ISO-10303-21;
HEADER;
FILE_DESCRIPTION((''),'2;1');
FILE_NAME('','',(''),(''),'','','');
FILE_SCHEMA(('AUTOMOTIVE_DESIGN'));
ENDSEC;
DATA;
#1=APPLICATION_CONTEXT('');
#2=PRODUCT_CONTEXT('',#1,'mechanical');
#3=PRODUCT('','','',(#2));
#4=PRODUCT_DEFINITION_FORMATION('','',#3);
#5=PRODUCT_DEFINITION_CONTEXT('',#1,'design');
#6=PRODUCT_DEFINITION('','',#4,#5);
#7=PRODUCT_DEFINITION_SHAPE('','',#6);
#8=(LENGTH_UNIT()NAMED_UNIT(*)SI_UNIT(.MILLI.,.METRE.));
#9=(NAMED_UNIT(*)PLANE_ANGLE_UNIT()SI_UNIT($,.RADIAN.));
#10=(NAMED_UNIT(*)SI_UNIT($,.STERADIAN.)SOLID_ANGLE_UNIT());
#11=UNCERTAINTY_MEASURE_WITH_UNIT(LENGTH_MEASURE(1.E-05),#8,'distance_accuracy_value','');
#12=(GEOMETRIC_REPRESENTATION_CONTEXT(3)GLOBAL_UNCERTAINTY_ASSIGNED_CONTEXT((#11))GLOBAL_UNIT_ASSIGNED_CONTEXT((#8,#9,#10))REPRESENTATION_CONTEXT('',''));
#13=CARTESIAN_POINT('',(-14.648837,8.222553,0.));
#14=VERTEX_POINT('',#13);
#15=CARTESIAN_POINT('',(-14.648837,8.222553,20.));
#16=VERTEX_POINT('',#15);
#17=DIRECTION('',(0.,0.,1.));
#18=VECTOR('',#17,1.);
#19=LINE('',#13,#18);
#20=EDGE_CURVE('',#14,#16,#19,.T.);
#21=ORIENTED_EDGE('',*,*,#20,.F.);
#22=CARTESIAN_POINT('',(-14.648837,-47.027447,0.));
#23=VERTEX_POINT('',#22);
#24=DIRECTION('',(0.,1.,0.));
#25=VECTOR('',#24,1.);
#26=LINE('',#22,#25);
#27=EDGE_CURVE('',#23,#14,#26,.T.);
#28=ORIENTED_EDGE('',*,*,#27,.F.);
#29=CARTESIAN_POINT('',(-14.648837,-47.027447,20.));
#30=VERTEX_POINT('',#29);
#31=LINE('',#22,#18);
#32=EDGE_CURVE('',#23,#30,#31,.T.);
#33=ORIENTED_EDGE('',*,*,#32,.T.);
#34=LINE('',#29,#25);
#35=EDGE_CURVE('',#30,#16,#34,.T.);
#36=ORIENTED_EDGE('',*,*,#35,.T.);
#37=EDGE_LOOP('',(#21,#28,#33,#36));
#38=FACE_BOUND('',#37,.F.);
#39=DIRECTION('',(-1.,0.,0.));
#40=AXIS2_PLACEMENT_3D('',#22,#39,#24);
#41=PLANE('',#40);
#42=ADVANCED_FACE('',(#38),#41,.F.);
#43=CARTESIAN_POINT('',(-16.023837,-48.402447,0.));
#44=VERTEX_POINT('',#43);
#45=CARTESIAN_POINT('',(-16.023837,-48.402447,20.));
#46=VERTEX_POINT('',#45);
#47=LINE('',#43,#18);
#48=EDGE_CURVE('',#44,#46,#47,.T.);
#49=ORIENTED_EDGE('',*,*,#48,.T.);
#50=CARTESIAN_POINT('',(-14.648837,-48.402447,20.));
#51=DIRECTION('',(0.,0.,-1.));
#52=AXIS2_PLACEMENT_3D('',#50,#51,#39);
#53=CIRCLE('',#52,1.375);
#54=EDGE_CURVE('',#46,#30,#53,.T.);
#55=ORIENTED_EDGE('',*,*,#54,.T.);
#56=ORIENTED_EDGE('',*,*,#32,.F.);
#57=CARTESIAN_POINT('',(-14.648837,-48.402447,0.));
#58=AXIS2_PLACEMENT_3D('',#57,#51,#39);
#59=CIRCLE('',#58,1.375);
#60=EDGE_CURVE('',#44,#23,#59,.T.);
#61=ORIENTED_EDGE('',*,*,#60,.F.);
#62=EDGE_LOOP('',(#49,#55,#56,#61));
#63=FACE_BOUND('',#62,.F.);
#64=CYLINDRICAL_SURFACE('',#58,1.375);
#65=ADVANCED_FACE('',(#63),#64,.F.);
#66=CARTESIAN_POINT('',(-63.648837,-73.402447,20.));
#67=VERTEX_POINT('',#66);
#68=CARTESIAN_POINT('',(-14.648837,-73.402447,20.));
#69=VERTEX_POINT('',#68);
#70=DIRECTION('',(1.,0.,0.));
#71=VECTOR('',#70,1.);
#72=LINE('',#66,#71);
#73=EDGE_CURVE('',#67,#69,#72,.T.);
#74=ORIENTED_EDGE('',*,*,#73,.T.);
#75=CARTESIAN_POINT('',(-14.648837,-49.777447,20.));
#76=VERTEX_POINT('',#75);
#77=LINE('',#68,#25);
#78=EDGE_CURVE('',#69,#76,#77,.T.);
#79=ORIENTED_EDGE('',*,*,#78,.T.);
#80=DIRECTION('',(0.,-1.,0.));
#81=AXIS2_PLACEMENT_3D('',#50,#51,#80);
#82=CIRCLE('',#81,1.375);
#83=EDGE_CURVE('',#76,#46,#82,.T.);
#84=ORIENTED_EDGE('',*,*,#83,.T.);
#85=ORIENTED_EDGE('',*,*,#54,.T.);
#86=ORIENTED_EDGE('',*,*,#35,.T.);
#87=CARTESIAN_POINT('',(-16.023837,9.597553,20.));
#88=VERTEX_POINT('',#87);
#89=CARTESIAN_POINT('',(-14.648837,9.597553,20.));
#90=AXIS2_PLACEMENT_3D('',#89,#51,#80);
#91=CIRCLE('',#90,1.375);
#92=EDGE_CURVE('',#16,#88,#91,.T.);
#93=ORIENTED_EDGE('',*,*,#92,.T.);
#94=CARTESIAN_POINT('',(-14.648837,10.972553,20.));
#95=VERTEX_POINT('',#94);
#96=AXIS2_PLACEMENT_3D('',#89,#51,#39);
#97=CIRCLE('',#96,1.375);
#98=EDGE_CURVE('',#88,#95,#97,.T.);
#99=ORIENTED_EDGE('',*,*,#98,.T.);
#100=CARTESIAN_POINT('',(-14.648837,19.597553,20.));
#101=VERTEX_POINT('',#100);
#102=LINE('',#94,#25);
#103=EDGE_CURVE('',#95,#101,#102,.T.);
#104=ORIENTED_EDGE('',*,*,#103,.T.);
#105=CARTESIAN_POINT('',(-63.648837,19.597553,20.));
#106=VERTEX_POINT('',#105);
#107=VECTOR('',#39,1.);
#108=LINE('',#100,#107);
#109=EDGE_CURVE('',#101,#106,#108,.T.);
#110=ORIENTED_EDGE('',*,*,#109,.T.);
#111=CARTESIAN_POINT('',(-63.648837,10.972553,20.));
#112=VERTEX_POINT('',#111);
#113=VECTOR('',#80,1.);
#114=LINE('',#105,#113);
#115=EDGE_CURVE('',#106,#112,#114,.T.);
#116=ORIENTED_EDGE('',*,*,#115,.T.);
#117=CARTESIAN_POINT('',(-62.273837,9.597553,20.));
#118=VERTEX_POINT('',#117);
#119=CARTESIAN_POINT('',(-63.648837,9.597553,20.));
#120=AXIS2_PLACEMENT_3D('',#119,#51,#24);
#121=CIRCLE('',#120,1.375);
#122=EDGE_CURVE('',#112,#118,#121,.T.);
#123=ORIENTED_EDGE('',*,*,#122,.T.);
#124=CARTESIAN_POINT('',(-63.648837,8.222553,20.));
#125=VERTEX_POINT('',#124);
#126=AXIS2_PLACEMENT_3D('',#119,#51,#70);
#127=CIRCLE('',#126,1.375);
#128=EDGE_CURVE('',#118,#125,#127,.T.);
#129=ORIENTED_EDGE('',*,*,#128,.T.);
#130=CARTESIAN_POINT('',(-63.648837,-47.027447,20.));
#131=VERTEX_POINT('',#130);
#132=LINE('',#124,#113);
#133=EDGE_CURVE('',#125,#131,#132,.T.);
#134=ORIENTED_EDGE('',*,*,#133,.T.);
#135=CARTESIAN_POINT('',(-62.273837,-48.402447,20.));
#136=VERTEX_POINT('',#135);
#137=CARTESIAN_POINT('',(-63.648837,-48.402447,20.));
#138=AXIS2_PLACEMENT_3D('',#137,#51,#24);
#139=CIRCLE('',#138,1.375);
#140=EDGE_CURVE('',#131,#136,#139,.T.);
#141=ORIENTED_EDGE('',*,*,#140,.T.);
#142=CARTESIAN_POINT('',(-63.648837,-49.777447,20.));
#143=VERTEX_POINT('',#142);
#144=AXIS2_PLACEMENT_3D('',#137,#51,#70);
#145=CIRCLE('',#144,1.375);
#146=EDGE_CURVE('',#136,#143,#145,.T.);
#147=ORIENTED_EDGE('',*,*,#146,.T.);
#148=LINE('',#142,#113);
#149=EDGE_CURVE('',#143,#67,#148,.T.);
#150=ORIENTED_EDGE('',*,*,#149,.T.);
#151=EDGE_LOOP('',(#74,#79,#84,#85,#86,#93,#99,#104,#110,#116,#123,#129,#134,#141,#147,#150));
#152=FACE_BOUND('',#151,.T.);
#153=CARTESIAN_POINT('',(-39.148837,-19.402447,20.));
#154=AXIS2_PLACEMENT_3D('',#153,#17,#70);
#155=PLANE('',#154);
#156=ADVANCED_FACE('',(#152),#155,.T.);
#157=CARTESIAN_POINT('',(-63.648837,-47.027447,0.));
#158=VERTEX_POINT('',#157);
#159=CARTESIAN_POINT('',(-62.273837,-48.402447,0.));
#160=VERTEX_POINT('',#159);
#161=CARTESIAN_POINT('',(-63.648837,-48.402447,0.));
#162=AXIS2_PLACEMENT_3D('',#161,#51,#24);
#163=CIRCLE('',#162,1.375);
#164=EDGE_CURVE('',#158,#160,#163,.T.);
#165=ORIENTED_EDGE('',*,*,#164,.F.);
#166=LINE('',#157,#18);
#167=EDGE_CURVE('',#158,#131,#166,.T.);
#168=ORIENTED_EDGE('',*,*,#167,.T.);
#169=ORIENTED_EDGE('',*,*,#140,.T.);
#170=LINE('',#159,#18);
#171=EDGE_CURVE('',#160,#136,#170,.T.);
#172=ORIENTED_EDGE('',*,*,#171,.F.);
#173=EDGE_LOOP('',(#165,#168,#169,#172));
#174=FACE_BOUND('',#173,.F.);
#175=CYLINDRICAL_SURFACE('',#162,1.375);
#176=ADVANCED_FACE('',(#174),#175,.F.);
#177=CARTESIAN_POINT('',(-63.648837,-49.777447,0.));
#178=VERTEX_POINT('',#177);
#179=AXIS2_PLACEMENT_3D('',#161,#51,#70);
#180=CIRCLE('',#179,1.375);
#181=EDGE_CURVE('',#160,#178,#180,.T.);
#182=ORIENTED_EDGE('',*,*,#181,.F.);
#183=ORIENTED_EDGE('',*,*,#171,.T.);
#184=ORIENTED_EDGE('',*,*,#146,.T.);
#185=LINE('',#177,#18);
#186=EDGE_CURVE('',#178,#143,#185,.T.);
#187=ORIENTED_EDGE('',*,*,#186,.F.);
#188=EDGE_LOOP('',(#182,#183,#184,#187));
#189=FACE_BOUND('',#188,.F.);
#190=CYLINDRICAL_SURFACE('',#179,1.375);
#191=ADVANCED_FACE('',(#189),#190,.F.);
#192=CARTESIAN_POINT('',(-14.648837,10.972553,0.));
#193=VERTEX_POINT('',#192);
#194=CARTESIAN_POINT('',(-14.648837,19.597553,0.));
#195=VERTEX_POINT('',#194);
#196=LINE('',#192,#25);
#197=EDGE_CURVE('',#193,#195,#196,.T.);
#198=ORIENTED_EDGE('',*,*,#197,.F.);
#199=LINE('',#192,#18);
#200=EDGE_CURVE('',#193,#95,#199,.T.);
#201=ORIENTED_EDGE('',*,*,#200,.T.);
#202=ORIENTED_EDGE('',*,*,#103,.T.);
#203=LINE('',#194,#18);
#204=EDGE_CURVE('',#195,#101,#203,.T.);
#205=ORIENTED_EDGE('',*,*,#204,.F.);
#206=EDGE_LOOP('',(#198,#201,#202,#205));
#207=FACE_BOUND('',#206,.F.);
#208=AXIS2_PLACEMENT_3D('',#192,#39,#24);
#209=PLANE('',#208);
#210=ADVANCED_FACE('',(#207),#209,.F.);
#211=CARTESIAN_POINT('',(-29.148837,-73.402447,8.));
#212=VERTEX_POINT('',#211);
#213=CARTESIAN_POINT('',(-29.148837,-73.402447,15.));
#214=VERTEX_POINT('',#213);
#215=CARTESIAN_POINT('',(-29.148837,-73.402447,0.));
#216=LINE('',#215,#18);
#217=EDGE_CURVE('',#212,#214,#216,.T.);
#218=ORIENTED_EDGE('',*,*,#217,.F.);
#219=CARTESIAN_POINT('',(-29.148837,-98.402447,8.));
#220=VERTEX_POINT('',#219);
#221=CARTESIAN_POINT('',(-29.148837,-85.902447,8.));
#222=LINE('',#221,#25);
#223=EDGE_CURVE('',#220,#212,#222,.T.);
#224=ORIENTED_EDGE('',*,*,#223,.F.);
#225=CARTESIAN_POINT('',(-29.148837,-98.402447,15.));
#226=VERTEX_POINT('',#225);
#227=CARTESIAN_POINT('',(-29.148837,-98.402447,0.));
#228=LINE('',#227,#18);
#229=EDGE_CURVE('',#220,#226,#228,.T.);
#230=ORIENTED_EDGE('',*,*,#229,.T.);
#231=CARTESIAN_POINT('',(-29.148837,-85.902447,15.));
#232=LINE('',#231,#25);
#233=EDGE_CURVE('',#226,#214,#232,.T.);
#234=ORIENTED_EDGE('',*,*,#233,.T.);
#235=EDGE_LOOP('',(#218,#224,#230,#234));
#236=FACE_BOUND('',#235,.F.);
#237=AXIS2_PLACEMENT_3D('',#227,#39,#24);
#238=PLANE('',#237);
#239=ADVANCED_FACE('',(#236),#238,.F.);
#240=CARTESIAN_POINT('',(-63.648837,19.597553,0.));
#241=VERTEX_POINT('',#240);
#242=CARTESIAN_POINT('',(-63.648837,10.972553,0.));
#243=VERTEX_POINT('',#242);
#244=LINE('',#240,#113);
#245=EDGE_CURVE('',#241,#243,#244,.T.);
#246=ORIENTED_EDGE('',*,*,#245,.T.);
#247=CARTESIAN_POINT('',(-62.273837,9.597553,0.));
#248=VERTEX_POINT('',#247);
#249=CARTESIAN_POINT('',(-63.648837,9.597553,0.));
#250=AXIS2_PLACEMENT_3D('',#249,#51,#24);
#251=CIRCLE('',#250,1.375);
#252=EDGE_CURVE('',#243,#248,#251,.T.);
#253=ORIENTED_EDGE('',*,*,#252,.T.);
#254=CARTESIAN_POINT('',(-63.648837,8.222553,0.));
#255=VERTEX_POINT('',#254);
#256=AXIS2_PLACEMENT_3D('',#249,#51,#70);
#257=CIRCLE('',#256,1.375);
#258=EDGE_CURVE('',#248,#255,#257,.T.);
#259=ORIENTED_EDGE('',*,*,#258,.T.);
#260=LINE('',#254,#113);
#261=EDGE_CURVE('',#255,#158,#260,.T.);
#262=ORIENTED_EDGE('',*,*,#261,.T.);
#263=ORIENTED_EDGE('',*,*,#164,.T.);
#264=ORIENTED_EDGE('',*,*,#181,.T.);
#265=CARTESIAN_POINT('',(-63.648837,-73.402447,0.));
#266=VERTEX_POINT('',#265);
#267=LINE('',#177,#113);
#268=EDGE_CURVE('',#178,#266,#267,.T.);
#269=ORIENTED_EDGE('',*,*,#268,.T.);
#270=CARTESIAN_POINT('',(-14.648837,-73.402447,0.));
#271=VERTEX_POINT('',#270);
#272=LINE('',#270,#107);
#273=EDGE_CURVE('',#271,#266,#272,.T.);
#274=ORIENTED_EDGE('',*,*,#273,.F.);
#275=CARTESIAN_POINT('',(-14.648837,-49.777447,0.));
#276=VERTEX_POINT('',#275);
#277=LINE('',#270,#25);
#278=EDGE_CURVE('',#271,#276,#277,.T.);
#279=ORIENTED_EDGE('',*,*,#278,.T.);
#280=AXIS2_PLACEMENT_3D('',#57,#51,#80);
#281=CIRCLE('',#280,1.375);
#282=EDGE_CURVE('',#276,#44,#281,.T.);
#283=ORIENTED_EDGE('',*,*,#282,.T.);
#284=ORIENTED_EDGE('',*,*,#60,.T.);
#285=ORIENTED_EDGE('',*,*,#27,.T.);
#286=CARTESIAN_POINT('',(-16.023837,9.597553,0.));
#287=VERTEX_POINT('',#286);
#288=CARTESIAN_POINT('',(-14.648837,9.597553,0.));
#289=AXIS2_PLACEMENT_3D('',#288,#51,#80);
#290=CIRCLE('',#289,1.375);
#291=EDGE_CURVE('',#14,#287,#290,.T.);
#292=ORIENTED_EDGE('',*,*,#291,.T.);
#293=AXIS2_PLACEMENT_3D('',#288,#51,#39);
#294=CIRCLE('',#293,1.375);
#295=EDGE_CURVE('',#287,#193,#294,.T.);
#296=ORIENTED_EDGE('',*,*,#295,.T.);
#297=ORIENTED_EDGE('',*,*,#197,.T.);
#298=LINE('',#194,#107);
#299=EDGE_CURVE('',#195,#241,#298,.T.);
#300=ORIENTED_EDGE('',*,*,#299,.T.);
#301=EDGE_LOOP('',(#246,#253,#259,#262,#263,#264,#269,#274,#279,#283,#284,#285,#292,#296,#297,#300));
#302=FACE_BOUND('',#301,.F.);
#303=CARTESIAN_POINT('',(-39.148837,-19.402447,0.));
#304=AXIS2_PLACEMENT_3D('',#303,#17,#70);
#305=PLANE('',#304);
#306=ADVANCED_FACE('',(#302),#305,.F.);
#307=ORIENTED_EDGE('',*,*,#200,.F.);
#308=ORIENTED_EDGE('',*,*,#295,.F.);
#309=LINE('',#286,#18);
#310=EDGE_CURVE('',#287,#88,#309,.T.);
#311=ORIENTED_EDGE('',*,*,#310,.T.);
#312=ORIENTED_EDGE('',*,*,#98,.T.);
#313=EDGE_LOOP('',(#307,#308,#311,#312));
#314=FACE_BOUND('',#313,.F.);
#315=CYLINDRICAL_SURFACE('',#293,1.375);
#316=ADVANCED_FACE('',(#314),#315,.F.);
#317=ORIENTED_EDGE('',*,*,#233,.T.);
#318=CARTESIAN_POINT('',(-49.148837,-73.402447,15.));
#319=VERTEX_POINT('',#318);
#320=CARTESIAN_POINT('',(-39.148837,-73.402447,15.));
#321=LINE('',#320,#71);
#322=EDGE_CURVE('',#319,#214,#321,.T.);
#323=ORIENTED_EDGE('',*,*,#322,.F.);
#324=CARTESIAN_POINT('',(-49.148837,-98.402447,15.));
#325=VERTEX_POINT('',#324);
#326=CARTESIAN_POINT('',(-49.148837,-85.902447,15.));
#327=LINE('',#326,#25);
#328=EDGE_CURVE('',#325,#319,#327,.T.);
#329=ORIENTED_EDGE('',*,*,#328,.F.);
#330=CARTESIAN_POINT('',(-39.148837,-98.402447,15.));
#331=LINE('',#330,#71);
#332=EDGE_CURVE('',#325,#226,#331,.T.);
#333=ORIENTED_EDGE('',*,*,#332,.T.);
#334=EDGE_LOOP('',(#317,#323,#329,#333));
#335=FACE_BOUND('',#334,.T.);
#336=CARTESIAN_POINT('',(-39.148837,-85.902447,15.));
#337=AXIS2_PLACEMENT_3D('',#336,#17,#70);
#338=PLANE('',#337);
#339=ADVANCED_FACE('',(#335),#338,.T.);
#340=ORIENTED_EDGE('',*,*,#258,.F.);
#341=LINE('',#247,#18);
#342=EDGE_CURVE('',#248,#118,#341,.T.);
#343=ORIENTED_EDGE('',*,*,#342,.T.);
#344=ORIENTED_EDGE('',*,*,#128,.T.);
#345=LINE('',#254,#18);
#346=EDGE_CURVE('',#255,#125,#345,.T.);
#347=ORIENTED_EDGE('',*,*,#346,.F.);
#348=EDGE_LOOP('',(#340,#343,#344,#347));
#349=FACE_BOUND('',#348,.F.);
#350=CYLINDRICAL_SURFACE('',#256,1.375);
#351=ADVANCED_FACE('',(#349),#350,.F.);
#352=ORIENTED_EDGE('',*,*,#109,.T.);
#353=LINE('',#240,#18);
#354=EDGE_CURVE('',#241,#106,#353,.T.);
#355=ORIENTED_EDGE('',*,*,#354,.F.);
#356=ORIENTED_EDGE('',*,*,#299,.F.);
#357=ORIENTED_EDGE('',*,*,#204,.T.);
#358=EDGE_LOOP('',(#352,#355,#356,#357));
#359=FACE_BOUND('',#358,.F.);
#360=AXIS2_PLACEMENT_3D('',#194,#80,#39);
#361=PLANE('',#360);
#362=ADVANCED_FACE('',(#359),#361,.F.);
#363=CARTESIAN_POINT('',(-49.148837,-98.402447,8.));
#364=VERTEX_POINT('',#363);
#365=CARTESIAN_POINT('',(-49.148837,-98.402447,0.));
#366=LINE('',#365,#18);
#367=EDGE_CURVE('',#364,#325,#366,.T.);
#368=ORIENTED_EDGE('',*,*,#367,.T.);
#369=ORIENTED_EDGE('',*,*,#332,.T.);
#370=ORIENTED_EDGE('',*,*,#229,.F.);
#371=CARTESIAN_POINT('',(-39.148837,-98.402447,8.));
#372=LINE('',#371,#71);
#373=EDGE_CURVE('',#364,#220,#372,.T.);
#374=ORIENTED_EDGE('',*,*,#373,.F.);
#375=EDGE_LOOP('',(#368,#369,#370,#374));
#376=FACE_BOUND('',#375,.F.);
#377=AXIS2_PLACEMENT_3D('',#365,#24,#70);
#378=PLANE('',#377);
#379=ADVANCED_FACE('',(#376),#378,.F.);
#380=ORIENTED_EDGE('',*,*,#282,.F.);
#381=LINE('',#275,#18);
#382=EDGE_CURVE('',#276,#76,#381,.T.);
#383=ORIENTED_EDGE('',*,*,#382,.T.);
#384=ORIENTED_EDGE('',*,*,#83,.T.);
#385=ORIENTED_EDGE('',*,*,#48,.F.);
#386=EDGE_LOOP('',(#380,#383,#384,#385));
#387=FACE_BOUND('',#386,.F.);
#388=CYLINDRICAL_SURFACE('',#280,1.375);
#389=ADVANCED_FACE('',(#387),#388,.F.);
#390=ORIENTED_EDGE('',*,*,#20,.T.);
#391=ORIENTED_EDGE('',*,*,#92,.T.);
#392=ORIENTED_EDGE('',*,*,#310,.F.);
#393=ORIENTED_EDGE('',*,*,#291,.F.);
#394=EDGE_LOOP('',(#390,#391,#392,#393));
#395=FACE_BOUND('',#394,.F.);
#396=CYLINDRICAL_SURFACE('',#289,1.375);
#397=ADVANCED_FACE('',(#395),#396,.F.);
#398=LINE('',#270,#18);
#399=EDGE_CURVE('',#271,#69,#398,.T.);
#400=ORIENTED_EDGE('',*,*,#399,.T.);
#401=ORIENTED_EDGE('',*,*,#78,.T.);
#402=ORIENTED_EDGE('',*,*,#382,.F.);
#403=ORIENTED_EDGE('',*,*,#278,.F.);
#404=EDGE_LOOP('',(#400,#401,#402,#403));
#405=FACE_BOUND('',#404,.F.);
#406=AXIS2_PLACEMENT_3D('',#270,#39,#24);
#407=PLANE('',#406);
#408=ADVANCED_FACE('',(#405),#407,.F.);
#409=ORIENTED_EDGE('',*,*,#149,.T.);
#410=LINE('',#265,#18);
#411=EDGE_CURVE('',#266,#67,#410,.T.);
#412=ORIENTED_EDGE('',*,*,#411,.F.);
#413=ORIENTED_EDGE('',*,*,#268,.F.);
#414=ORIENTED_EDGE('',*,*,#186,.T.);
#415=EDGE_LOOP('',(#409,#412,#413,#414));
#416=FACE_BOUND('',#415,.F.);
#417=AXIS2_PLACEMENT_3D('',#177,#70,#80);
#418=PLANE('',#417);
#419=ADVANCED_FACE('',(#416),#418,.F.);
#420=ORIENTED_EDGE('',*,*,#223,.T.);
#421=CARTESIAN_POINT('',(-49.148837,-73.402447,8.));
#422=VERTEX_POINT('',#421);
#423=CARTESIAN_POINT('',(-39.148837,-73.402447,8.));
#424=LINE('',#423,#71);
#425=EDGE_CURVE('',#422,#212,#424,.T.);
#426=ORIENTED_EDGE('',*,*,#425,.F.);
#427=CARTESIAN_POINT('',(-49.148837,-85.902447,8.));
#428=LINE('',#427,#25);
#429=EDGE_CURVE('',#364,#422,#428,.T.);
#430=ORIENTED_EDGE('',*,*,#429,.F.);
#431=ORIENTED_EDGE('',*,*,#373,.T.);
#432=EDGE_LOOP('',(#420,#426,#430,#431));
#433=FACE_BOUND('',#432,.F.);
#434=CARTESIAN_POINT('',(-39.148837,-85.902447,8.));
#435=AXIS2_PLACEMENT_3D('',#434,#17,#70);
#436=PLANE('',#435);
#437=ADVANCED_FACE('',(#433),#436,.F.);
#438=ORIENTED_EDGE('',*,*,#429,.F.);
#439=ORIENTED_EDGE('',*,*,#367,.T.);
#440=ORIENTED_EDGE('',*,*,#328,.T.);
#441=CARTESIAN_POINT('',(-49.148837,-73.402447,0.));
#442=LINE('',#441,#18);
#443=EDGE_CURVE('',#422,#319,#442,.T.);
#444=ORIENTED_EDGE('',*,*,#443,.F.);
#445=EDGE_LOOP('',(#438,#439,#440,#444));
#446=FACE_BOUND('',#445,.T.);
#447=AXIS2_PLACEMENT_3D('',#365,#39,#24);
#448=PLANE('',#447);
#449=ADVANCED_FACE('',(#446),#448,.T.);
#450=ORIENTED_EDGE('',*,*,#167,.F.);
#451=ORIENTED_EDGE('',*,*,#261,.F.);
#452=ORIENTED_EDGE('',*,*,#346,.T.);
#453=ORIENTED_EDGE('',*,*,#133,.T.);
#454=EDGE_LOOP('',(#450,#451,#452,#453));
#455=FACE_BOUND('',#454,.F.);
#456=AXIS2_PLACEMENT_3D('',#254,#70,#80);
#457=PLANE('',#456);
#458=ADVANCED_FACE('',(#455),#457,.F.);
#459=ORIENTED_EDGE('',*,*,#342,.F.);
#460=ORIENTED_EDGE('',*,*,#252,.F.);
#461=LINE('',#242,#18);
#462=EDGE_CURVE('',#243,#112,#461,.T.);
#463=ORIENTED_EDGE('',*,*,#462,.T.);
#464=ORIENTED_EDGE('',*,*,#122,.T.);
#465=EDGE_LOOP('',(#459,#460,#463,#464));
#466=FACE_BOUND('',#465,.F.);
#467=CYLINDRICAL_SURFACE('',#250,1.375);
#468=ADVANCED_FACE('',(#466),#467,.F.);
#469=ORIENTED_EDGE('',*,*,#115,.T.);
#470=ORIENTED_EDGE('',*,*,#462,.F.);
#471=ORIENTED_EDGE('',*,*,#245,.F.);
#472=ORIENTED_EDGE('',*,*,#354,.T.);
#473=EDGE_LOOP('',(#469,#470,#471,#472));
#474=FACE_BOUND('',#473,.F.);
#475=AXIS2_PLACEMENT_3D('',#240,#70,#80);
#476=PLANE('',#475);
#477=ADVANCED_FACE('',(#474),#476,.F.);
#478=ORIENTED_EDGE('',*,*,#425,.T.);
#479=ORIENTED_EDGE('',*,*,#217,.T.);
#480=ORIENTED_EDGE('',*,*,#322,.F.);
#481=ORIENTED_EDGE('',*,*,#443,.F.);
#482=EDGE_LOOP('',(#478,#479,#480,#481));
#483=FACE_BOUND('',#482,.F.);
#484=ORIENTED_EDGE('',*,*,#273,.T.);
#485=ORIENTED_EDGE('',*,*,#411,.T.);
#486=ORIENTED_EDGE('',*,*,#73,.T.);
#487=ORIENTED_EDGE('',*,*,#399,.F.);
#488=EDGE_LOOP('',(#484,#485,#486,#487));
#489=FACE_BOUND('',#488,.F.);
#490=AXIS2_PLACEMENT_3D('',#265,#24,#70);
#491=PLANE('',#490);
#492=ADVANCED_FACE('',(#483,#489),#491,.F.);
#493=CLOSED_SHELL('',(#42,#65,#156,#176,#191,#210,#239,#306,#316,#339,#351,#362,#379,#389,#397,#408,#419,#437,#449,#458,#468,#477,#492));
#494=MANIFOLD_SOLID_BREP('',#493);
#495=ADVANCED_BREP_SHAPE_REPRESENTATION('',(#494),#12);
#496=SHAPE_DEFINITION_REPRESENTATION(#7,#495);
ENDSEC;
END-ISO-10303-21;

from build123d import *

# Parameters (mm, degrees)
F1_DEPTH = 20
F0_W     = 20
F0_H     = 25
F2_DEPTH = 15
F3_DEPTH = 8


with BuildPart() as f1:
    # F0 (on Top) → F1 (new body)
    with BuildSketch(Plane.XY):
        with BuildLine():
            Line((-14.6488370299, -47.0274474025), (-14.6488370299, 8.2225525975))
            ThreePointArc((-14.6488370299, 8.2225525975), (-15.6211088541, 8.6252807734), (-16.0238370299, 9.5975525975))
            Line((-16.0238370299, 9.5975525975), (-62.2738370299, 9.5975525975))
            ThreePointArc((-62.2738370299, 9.5975525975), (-62.6765652058, 8.6252807734), (-63.6488370299, 8.2225525975))
            Line((-63.6488370299, 8.2225525975), (-63.6488370299, -47.0274474025))
            ThreePointArc((-63.6488370299, -47.0274474025), (-62.6765652058, -47.4301755783), (-62.2738370299, -48.4024474025))
            Line((-62.2738370299, -48.4024474025), (-16.0238370299, -48.4024474025))
            ThreePointArc((-16.0238370299, -48.4024474025), (-15.6211088541, -47.4301755783), (-14.6488370299, -47.0274474025))
        make_face()
        with BuildLine():
            ThreePointArc((-16.0238370299, 9.5975525975), (-15.6211088541, 10.5698244217), (-14.6488370299, 10.9725525975))
            Line((-14.6488370299, 10.9725525975), (-14.6488370299, 19.5975525975))
            Line((-14.6488370299, 19.5975525975), (-63.6488370299, 19.5975525975))
            Line((-63.6488370299, 19.5975525975), (-63.6488370299, 10.9725525975))
            ThreePointArc((-63.6488370299, 10.9725525975), (-62.6765652058, 10.5698244217), (-62.2738370299, 9.5975525975))
            Line((-62.2738370299, 9.5975525975), (-16.0238370299, 9.5975525975))
        make_face()
        with BuildLine():
            ThreePointArc((-14.6488370299, -49.7774474025), (-15.6211088541, -49.3747192266), (-16.0238370299, -48.4024474025))
            Line((-16.0238370299, -48.4024474025), (-62.2738370299, -48.4024474025))
            ThreePointArc((-62.2738370299, -48.4024474025), (-62.6765652058, -49.3747192266), (-63.6488370299, -49.7774474025))
            Line((-63.6488370299, -49.7774474025), (-63.6488370299, -73.4024474025))
            Line((-63.6488370299, -73.4024474025), (-49.1488370299, -73.4024474025))
            Line((-49.1488370299, -73.4024474025), (-29.1488370299, -73.4024474025))
            Line((-29.1488370299, -73.4024474025), (-14.6488370299, -73.4024474025))
            Line((-14.6488370299, -73.4024474025), (-14.6488370299, -49.7774474025))
        make_face()
    extrude(amount=F1_DEPTH)

    # F0 (on Top) → F2 (join)
    with BuildSketch(Plane.XY):
        with Locations((-39.1488370299, -85.9024474025)):
            Rectangle(F0_W, F0_H)
    extrude(amount=F2_DEPTH)

    # F0 (on Top) → F3 (cut)
    with BuildSketch(Plane.XY):
        with Locations((-39.1488370299, -85.9024474025)):
            Rectangle(F0_W, F0_H)
    extrude(amount=F3_DEPTH, mode=Mode.SUBTRACT)


solid = f1.part
